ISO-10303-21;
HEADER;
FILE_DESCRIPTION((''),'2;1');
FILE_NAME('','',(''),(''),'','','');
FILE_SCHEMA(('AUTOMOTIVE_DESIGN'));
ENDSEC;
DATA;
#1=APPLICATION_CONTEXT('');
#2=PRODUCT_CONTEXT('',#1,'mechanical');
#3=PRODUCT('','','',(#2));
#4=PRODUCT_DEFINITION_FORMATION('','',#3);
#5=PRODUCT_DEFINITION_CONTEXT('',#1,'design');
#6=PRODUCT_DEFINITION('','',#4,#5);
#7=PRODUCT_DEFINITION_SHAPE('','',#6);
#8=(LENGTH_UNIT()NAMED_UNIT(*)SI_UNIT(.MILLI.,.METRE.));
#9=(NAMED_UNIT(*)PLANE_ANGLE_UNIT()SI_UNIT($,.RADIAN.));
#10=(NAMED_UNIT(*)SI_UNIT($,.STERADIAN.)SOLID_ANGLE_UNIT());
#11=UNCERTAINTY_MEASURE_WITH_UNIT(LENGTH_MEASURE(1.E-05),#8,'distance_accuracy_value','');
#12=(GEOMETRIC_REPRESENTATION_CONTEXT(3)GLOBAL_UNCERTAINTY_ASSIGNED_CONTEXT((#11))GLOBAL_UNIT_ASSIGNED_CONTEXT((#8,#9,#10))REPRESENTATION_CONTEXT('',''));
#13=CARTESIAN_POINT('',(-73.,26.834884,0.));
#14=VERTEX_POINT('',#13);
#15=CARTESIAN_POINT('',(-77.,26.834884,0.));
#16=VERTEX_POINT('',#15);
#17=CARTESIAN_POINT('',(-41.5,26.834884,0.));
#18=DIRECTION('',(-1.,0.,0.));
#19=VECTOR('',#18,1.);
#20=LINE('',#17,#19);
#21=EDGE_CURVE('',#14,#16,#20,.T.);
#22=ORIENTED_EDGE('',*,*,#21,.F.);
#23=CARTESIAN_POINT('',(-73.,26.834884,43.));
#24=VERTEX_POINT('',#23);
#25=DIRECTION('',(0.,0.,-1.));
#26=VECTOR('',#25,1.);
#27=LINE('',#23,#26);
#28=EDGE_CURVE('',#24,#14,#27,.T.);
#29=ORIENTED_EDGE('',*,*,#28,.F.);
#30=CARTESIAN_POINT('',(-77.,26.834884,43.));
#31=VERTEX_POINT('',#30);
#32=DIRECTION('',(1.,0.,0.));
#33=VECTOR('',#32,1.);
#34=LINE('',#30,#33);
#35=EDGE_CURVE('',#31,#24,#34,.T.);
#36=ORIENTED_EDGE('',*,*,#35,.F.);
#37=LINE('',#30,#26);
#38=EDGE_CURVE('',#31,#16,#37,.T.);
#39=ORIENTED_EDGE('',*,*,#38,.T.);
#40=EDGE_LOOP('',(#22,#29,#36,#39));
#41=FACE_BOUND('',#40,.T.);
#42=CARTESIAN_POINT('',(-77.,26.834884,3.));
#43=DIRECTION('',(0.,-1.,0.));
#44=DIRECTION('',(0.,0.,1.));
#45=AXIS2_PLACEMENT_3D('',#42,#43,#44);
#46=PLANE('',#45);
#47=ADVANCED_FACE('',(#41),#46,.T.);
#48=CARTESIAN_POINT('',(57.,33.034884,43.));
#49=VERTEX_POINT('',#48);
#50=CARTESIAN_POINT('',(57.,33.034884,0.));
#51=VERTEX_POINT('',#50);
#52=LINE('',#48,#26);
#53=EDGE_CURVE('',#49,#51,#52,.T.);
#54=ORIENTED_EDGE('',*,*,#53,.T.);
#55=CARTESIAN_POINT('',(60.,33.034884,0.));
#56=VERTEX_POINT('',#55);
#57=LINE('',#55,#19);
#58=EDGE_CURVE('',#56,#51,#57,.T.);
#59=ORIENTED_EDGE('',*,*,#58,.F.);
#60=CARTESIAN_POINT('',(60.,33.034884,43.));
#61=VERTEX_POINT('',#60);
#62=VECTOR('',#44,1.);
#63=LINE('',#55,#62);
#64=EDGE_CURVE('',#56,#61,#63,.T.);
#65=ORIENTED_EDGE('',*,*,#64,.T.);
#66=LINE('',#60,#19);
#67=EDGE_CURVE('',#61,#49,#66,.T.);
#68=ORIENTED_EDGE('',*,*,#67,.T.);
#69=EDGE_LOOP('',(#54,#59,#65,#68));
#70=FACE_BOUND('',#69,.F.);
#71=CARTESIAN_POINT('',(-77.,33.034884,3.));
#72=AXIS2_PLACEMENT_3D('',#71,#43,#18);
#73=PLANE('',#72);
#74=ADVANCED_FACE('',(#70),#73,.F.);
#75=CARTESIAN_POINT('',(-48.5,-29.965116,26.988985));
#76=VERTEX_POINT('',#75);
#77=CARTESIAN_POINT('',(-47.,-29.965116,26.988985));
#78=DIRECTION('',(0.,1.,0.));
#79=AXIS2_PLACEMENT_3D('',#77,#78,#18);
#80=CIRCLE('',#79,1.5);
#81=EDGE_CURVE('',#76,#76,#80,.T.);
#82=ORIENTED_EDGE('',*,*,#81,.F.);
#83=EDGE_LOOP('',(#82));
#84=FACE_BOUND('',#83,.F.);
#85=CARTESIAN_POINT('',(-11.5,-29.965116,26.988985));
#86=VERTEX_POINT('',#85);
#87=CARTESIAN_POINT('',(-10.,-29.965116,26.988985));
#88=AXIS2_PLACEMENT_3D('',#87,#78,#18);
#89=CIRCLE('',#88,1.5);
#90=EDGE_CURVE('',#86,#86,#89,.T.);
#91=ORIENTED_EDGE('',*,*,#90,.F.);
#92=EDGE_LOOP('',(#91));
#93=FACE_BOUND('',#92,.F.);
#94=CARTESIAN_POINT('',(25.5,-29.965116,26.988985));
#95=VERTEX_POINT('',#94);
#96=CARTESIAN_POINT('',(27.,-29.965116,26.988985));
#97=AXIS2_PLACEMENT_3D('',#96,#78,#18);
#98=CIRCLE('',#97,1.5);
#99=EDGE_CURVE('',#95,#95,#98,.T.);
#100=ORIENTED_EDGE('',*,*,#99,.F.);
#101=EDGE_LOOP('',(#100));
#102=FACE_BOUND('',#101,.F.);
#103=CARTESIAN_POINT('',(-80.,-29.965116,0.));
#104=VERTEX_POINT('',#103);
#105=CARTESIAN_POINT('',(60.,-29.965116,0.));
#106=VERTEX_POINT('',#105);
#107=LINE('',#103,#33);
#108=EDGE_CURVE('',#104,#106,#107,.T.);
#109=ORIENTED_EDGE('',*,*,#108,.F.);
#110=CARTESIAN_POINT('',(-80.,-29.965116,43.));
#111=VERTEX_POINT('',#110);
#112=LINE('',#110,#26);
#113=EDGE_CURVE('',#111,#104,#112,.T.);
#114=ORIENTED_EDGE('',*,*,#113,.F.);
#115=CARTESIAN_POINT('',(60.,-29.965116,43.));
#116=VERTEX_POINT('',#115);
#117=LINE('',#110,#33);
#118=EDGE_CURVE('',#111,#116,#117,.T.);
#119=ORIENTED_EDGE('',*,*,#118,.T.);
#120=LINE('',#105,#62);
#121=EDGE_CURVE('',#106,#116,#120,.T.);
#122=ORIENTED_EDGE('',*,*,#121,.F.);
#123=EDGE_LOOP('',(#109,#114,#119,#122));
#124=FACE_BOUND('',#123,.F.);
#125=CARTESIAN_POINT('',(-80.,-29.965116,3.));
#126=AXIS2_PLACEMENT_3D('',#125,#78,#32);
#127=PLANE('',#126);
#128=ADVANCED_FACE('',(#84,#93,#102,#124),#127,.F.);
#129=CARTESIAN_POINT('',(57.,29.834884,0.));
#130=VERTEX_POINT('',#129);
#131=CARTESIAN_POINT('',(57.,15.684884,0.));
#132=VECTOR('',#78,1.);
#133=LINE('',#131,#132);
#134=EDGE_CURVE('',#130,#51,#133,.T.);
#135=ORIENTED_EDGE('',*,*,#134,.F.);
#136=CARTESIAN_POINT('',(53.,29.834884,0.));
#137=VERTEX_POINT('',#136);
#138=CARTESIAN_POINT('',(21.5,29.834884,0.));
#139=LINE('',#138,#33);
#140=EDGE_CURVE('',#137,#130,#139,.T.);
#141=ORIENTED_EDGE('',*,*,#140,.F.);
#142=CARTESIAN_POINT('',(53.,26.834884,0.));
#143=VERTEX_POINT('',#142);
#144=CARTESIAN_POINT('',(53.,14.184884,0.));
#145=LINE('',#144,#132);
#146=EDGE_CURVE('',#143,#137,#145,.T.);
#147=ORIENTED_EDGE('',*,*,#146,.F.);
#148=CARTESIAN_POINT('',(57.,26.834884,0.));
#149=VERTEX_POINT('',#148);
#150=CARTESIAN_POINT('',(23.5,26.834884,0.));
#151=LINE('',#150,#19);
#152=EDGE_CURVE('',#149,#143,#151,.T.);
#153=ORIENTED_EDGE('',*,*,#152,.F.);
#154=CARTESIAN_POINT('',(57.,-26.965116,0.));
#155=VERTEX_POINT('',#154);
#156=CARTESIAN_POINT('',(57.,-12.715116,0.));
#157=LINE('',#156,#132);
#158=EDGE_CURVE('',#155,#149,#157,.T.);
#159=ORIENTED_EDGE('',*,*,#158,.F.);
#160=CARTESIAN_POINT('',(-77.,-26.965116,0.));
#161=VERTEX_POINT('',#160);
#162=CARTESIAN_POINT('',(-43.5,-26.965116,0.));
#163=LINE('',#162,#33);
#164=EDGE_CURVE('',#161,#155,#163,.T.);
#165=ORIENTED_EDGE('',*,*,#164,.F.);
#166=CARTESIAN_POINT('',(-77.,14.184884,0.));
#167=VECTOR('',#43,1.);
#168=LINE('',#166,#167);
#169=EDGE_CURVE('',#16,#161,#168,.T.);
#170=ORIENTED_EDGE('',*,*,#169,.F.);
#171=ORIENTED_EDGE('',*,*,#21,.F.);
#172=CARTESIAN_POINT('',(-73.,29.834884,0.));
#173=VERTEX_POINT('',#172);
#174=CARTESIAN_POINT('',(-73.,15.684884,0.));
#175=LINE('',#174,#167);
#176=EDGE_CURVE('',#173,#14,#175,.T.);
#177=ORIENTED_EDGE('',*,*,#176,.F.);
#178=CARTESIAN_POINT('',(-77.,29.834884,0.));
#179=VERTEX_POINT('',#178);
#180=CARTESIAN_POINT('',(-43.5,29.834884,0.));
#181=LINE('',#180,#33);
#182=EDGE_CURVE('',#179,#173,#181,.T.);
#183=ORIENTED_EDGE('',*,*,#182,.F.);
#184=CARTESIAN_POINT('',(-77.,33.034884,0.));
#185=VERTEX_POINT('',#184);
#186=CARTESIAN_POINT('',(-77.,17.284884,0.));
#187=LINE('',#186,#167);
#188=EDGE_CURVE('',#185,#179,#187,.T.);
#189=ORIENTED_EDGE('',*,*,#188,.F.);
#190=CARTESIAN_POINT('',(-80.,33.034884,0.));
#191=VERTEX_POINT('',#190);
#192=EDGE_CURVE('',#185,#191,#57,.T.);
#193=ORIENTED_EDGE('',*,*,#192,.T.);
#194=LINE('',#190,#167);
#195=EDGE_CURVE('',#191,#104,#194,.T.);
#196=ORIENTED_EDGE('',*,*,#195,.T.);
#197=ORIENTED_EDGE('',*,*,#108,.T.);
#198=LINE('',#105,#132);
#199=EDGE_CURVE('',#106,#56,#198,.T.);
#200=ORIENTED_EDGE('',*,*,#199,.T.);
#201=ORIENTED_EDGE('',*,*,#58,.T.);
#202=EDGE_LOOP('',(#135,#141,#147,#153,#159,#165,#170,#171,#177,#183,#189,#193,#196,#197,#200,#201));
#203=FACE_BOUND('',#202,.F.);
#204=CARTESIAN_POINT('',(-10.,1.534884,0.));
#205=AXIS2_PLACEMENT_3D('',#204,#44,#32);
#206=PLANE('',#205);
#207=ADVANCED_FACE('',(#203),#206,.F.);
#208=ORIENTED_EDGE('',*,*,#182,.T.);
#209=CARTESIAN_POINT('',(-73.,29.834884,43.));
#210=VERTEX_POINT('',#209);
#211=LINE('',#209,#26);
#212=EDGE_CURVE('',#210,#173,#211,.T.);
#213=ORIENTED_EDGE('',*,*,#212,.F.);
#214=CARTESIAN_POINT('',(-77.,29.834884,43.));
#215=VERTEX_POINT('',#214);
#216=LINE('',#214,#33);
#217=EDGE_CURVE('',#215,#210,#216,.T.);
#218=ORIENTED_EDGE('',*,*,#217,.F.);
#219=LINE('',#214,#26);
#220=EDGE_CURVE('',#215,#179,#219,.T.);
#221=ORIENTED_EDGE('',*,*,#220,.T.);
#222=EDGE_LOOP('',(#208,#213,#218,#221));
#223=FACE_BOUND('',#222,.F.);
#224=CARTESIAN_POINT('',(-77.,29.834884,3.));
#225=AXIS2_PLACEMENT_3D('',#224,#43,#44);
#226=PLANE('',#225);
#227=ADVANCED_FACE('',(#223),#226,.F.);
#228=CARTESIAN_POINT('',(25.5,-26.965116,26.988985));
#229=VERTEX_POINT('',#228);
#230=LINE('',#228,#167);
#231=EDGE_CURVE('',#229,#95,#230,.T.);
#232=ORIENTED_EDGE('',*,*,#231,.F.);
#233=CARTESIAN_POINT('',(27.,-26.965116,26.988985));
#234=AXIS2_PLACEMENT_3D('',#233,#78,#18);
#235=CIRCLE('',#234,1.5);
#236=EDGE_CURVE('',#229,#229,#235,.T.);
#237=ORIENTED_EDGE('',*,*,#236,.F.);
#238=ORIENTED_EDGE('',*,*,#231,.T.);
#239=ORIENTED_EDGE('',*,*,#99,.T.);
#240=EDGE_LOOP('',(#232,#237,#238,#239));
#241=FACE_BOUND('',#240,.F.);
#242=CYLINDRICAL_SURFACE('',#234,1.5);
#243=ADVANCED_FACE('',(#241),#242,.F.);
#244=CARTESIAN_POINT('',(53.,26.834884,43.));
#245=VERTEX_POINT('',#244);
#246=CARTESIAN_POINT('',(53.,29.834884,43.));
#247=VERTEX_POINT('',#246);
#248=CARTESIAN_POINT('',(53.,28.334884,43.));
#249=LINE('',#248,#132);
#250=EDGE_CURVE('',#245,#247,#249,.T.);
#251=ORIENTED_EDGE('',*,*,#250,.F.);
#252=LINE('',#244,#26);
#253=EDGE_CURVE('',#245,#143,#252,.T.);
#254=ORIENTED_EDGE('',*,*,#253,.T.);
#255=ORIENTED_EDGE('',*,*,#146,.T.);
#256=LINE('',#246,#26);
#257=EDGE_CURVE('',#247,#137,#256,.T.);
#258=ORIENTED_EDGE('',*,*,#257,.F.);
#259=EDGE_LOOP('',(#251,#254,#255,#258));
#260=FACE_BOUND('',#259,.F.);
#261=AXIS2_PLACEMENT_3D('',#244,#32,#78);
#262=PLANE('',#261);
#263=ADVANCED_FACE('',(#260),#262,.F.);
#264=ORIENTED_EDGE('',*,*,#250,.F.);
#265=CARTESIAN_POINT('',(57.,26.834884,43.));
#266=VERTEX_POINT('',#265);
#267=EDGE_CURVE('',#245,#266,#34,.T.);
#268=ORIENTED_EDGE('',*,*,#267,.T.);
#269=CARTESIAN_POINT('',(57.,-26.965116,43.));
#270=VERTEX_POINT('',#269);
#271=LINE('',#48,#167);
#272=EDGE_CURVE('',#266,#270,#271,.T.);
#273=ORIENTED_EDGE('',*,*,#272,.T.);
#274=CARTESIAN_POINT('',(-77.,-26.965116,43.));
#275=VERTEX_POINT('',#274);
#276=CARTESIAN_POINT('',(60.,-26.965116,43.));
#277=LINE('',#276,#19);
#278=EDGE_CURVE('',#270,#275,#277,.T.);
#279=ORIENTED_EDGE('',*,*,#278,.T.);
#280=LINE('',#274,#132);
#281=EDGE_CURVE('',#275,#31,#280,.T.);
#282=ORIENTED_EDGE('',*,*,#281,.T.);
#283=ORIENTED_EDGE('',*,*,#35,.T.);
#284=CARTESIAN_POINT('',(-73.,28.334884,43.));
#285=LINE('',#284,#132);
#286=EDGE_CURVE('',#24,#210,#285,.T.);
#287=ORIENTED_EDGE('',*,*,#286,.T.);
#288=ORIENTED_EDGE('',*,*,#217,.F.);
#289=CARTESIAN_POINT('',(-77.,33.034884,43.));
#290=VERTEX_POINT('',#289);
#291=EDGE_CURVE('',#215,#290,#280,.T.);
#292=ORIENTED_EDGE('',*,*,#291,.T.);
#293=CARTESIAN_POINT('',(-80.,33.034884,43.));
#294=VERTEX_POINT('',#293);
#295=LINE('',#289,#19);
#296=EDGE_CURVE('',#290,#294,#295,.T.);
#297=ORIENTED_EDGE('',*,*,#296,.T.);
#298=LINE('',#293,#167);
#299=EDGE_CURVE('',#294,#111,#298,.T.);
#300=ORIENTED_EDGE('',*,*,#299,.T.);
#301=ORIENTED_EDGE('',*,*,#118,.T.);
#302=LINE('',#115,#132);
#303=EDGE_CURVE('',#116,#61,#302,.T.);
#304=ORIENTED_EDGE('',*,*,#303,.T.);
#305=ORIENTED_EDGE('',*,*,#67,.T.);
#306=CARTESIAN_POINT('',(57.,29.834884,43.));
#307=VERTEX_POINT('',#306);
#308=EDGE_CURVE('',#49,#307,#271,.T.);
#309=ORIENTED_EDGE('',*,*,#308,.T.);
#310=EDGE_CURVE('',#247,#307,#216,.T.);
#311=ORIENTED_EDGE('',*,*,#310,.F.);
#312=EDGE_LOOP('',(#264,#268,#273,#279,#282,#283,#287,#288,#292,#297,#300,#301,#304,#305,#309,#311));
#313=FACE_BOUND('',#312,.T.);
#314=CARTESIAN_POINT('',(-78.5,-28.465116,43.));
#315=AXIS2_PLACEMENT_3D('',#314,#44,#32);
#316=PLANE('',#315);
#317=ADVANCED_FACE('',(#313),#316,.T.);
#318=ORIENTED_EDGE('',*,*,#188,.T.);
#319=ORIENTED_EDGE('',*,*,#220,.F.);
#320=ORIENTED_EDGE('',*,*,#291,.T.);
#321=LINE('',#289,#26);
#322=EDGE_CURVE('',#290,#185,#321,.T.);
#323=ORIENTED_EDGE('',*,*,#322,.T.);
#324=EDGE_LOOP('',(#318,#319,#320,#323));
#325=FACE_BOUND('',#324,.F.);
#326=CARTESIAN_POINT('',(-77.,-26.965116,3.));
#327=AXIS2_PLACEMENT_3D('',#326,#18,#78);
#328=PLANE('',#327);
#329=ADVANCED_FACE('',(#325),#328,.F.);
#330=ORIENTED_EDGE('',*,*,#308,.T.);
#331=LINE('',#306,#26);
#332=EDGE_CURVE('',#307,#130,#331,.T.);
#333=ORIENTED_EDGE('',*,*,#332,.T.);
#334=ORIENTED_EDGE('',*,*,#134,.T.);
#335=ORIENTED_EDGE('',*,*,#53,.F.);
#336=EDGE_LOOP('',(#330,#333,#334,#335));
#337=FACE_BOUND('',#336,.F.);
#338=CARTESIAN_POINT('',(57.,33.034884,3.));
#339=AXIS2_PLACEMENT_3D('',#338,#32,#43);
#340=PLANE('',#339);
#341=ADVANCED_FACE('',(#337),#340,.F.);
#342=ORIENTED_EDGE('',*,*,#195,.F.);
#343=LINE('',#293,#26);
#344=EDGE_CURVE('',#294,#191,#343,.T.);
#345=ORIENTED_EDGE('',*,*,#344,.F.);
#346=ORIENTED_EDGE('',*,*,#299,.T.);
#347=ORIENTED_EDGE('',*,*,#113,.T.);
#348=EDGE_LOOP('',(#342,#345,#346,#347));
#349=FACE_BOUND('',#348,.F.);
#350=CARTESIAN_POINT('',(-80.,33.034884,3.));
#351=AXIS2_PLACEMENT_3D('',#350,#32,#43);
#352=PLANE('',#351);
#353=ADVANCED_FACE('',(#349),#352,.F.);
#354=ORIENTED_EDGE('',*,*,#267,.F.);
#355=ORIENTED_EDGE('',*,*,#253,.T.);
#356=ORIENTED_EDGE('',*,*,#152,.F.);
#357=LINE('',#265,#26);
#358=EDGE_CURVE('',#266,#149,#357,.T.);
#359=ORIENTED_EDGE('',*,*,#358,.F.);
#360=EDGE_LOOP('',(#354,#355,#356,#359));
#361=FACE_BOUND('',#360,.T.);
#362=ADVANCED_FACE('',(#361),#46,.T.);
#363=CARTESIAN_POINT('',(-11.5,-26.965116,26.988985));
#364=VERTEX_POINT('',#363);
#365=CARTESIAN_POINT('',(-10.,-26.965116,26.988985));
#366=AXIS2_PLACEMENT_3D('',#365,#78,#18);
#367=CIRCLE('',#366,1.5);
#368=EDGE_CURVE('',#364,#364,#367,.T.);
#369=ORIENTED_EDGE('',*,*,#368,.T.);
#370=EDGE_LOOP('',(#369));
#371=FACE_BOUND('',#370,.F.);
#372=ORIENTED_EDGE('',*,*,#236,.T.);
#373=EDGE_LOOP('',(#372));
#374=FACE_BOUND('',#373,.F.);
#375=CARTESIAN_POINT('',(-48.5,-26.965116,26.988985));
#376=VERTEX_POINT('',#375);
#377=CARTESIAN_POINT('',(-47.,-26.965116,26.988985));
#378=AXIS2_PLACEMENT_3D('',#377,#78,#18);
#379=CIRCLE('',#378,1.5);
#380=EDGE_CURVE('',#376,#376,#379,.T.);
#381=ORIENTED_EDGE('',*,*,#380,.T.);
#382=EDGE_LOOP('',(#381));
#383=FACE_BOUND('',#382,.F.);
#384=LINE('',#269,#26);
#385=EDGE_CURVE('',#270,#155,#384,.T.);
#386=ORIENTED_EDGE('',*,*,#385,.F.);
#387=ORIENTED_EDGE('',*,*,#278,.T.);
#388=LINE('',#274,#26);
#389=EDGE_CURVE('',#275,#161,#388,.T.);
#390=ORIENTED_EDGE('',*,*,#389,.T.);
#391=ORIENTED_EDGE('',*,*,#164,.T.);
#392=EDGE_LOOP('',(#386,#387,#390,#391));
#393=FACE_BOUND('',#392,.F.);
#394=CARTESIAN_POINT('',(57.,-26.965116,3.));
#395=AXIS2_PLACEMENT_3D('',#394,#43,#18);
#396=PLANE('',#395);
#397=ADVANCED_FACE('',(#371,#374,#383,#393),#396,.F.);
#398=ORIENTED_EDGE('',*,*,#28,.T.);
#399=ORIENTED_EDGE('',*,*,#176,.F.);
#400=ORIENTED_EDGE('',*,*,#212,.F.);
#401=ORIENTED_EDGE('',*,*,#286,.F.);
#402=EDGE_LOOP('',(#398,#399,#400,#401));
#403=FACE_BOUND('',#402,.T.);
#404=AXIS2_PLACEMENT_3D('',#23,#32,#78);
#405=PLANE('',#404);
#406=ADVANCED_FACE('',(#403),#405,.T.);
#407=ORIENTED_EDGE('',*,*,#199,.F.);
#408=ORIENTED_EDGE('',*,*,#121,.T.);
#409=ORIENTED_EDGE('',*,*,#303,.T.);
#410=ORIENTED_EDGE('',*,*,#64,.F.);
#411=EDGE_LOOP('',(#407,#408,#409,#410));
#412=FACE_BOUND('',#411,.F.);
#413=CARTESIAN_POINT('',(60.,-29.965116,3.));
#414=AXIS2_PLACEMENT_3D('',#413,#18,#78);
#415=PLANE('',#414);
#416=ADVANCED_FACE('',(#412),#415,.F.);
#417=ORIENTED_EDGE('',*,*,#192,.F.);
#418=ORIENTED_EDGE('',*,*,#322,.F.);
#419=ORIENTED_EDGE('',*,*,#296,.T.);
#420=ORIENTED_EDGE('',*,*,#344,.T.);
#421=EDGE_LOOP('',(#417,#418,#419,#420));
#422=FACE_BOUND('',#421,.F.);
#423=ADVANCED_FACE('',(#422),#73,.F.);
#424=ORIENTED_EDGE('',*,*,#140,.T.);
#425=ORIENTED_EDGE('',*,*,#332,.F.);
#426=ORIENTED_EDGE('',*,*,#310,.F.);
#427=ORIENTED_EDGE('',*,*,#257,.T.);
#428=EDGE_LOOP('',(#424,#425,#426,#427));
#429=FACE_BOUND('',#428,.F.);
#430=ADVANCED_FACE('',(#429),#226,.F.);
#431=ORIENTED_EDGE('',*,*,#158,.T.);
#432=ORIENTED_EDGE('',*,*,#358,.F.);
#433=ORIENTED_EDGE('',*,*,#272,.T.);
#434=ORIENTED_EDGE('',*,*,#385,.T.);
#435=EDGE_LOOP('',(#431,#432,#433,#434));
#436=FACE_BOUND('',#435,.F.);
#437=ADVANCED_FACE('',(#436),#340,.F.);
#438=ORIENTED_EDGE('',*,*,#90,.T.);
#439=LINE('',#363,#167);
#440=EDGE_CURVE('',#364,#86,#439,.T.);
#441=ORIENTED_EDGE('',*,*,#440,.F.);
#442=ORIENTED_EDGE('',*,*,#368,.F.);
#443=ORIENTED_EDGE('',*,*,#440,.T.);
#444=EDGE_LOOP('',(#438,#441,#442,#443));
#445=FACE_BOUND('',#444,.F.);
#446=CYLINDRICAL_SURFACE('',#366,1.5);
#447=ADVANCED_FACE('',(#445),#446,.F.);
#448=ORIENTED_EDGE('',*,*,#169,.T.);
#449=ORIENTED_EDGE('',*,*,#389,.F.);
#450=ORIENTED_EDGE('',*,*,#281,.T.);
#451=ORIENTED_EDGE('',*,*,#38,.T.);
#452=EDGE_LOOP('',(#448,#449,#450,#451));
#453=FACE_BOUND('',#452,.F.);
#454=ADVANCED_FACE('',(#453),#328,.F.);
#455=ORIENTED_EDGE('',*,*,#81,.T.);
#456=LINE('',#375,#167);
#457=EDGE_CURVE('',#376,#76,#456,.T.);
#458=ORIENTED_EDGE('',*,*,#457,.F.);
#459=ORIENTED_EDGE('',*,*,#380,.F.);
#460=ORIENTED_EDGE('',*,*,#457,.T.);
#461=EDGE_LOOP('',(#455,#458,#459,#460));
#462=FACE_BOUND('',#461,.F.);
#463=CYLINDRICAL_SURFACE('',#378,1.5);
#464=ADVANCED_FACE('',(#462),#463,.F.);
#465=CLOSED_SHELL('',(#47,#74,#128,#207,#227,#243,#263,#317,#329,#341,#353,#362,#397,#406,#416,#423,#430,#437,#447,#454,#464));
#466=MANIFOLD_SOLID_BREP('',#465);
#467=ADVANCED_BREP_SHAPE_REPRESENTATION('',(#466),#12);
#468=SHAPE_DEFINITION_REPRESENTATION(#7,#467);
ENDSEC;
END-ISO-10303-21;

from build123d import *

# Parameters (mm, degrees)
F0_R      = 8
F1_DEPTH  = 3
F2_W      = 3
F2_H      = 3
F2_W_2    = 134
F3_DEPTH  = 40
F4_W      = 3
F4_H      = 40
F5_DEPTH  = 134
F6_W      = 126
F6_H      = 3
F7_DEPTH  = 40
F8_R      = 1.5
F9_DEPTH  = 3
F10_R     = 8
F12_DEPTH = 40


with BuildPart() as f1:
    # F0 (on Top) → F1 (new body)
    with BuildSketch(Plane.XY):
        Polygon((-60, 33.034884), (-80, 33.034884), (-80, 18.034884), (-80, 0.034884), (-80, -2.965116), (-80, -17.965116), (-80, -29.965116), (60, -29.965116), (60, -24.965116), (60, -14.965116), (60, -9.965116), (60, -4.965116), (60, 0.034884), (60, 18.034884), (60, 33.034884), (40, 33.034884), (20, 33.034884), (0, 33.034884), (-20, 33.034884), (-40, 33.034884), align=None)
        with Locations((25, -0.468963)):
            Circle(F0_R, mode=Mode.SUBTRACT)
        with Locations((-45, 1.034884)):
            Circle(F0_R, mode=Mode.SUBTRACT)
    extrude(amount=F1_DEPTH)

    # F2 (on face) → F3 (join)
    with BuildSketch(Plane.XY.offset(3)):
        with Locations((-78.5, -28.465116)):
            Rectangle(F2_W, F2_H)
        with Locations((-10, -28.465116)):
            Rectangle(F2_W_2, F2_H)
        Polygon((-80, 30.034884), (-80, -26.965116), (-77, -26.965116), (-77, 33.034884), (-80, 33.034884), align=None)
        with Locations((58.5, -28.465116)):
            Rectangle(F2_W, F2_H)
        Polygon((57, 33.034884), (57, -26.965116), (60, -26.965116), (60, 30.034884), (60, 33.034884), align=None)
    extrude(amount=F3_DEPTH)

    # F4 (on face) → F5 (join)
    with BuildSketch(Plane.YZ.offset(-77)):
        with Locations((28.334884, 23)):
            Rectangle(F4_W, F4_H)
    extrude(amount=F5_DEPTH)

    # F6 (on face) → F7 (cut)
    with BuildSketch(Plane.XY.offset(43)):
        with Locations((-10, 28.334884)):
            Rectangle(F6_W, F6_H)
    extrude(amount=-F7_DEPTH, mode=Mode.SUBTRACT)

    # F8 (on face) → F9 (cut)
    with BuildSketch(Plane(origin=(0, -26.965116, 0), x_dir=(-1, 0, 0), z_dir=(0, 1, 0))):
        with Locations((47, 26.988985)):
            Circle(F8_R)
        with Locations((-27, 26.988985)):
            Circle(F8_R)
        with Locations((10, 26.988985)):
            Circle(F8_R)
    extrude(amount=-F9_DEPTH, mode=Mode.SUBTRACT)

    # F10 (on face) → F12 (cut)
    with BuildSketch(Plane.XY.offset(3)):
        Polygon((57, 29.834884), (57, 33.034884), (-77, 33.034884), (-77, 29.834884), (-73, 29.834884), (-73, 26.834884), (-77, 26.834884), (-77, -26.965116), (57, -26.965116), (57, 26.834884), (53, 26.834884), (53, 29.834884), align=None)
        with Locations((-45, 1.034884)):
            Circle(F10_R, mode=Mode.SUBTRACT)
        with Locations((25, -0.468963)):
            Circle(F10_R, mode=Mode.SUBTRACT)
    extrude(amount=-F12_DEPTH, mode=Mode.SUBTRACT)


solid = f1.part
